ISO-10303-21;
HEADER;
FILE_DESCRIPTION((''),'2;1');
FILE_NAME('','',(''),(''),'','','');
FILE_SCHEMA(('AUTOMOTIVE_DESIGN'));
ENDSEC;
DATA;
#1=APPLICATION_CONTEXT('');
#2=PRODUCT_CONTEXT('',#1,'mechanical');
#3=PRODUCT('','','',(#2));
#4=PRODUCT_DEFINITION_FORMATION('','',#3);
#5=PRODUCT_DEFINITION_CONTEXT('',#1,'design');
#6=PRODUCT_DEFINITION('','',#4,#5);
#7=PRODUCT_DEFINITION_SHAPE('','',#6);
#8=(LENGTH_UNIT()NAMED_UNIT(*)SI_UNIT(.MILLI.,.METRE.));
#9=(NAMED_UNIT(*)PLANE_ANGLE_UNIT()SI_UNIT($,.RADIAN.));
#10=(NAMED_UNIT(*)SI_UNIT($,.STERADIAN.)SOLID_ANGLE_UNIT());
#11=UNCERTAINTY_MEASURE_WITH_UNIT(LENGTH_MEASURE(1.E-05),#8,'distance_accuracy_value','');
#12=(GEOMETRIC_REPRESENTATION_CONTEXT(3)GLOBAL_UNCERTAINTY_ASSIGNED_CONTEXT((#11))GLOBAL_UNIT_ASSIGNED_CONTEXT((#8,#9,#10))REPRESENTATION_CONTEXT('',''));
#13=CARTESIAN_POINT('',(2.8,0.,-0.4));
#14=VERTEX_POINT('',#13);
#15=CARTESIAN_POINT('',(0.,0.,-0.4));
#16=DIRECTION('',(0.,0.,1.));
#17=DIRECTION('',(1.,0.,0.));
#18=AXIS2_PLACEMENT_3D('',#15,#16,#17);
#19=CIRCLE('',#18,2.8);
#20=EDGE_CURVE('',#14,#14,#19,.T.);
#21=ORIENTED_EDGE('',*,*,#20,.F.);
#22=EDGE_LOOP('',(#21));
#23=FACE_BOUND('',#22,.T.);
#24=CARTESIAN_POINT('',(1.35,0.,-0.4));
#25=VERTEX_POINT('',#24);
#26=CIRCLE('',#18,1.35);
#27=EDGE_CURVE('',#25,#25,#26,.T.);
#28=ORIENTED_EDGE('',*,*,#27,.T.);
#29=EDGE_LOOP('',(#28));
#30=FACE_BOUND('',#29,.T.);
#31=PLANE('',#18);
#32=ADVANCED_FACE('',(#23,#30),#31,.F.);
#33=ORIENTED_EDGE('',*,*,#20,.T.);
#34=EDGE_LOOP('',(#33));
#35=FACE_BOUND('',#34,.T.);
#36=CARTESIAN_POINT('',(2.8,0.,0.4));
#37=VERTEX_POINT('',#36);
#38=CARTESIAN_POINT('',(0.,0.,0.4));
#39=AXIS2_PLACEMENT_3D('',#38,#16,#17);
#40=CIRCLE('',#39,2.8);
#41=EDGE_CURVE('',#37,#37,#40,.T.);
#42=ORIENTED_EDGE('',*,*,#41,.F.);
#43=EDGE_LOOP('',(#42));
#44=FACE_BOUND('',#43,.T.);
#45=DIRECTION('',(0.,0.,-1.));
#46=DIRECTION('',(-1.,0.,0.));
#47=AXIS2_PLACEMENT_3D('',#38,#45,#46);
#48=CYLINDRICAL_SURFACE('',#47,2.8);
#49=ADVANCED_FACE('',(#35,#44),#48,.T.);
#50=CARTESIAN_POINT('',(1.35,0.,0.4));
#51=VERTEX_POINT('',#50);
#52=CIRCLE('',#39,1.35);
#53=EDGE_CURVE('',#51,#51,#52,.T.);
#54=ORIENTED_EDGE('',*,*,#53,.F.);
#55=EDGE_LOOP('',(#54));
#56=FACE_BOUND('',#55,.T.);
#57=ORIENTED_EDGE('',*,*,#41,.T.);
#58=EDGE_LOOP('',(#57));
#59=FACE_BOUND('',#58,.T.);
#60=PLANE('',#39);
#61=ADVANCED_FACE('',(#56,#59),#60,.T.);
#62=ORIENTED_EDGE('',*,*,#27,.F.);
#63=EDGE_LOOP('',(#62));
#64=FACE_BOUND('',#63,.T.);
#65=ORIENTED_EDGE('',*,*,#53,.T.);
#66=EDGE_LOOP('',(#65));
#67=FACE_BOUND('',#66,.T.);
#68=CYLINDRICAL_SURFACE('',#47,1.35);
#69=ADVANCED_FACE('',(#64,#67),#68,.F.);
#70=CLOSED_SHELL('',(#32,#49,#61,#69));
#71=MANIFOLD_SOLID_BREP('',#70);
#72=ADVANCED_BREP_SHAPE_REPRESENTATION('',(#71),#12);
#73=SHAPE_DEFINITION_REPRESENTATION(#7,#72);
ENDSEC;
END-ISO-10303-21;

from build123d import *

# Parameters (mm, degrees)
SKETCH3_R           = 2.8
SKETCH3_R_2         = 1.35
BOSS_EXTRUDE1_DEPTH = 0.4


with BuildPart() as part:
    # Sketch3 → Boss-Extrude1 (new, symmetric)
    with BuildSketch(Plane.XY):
        Circle(SKETCH3_R)
        Circle(SKETCH3_R_2, mode=Mode.SUBTRACT)
    extrude(amount=BOSS_EXTRUDE1_DEPTH, both=True)


solid = part.part
